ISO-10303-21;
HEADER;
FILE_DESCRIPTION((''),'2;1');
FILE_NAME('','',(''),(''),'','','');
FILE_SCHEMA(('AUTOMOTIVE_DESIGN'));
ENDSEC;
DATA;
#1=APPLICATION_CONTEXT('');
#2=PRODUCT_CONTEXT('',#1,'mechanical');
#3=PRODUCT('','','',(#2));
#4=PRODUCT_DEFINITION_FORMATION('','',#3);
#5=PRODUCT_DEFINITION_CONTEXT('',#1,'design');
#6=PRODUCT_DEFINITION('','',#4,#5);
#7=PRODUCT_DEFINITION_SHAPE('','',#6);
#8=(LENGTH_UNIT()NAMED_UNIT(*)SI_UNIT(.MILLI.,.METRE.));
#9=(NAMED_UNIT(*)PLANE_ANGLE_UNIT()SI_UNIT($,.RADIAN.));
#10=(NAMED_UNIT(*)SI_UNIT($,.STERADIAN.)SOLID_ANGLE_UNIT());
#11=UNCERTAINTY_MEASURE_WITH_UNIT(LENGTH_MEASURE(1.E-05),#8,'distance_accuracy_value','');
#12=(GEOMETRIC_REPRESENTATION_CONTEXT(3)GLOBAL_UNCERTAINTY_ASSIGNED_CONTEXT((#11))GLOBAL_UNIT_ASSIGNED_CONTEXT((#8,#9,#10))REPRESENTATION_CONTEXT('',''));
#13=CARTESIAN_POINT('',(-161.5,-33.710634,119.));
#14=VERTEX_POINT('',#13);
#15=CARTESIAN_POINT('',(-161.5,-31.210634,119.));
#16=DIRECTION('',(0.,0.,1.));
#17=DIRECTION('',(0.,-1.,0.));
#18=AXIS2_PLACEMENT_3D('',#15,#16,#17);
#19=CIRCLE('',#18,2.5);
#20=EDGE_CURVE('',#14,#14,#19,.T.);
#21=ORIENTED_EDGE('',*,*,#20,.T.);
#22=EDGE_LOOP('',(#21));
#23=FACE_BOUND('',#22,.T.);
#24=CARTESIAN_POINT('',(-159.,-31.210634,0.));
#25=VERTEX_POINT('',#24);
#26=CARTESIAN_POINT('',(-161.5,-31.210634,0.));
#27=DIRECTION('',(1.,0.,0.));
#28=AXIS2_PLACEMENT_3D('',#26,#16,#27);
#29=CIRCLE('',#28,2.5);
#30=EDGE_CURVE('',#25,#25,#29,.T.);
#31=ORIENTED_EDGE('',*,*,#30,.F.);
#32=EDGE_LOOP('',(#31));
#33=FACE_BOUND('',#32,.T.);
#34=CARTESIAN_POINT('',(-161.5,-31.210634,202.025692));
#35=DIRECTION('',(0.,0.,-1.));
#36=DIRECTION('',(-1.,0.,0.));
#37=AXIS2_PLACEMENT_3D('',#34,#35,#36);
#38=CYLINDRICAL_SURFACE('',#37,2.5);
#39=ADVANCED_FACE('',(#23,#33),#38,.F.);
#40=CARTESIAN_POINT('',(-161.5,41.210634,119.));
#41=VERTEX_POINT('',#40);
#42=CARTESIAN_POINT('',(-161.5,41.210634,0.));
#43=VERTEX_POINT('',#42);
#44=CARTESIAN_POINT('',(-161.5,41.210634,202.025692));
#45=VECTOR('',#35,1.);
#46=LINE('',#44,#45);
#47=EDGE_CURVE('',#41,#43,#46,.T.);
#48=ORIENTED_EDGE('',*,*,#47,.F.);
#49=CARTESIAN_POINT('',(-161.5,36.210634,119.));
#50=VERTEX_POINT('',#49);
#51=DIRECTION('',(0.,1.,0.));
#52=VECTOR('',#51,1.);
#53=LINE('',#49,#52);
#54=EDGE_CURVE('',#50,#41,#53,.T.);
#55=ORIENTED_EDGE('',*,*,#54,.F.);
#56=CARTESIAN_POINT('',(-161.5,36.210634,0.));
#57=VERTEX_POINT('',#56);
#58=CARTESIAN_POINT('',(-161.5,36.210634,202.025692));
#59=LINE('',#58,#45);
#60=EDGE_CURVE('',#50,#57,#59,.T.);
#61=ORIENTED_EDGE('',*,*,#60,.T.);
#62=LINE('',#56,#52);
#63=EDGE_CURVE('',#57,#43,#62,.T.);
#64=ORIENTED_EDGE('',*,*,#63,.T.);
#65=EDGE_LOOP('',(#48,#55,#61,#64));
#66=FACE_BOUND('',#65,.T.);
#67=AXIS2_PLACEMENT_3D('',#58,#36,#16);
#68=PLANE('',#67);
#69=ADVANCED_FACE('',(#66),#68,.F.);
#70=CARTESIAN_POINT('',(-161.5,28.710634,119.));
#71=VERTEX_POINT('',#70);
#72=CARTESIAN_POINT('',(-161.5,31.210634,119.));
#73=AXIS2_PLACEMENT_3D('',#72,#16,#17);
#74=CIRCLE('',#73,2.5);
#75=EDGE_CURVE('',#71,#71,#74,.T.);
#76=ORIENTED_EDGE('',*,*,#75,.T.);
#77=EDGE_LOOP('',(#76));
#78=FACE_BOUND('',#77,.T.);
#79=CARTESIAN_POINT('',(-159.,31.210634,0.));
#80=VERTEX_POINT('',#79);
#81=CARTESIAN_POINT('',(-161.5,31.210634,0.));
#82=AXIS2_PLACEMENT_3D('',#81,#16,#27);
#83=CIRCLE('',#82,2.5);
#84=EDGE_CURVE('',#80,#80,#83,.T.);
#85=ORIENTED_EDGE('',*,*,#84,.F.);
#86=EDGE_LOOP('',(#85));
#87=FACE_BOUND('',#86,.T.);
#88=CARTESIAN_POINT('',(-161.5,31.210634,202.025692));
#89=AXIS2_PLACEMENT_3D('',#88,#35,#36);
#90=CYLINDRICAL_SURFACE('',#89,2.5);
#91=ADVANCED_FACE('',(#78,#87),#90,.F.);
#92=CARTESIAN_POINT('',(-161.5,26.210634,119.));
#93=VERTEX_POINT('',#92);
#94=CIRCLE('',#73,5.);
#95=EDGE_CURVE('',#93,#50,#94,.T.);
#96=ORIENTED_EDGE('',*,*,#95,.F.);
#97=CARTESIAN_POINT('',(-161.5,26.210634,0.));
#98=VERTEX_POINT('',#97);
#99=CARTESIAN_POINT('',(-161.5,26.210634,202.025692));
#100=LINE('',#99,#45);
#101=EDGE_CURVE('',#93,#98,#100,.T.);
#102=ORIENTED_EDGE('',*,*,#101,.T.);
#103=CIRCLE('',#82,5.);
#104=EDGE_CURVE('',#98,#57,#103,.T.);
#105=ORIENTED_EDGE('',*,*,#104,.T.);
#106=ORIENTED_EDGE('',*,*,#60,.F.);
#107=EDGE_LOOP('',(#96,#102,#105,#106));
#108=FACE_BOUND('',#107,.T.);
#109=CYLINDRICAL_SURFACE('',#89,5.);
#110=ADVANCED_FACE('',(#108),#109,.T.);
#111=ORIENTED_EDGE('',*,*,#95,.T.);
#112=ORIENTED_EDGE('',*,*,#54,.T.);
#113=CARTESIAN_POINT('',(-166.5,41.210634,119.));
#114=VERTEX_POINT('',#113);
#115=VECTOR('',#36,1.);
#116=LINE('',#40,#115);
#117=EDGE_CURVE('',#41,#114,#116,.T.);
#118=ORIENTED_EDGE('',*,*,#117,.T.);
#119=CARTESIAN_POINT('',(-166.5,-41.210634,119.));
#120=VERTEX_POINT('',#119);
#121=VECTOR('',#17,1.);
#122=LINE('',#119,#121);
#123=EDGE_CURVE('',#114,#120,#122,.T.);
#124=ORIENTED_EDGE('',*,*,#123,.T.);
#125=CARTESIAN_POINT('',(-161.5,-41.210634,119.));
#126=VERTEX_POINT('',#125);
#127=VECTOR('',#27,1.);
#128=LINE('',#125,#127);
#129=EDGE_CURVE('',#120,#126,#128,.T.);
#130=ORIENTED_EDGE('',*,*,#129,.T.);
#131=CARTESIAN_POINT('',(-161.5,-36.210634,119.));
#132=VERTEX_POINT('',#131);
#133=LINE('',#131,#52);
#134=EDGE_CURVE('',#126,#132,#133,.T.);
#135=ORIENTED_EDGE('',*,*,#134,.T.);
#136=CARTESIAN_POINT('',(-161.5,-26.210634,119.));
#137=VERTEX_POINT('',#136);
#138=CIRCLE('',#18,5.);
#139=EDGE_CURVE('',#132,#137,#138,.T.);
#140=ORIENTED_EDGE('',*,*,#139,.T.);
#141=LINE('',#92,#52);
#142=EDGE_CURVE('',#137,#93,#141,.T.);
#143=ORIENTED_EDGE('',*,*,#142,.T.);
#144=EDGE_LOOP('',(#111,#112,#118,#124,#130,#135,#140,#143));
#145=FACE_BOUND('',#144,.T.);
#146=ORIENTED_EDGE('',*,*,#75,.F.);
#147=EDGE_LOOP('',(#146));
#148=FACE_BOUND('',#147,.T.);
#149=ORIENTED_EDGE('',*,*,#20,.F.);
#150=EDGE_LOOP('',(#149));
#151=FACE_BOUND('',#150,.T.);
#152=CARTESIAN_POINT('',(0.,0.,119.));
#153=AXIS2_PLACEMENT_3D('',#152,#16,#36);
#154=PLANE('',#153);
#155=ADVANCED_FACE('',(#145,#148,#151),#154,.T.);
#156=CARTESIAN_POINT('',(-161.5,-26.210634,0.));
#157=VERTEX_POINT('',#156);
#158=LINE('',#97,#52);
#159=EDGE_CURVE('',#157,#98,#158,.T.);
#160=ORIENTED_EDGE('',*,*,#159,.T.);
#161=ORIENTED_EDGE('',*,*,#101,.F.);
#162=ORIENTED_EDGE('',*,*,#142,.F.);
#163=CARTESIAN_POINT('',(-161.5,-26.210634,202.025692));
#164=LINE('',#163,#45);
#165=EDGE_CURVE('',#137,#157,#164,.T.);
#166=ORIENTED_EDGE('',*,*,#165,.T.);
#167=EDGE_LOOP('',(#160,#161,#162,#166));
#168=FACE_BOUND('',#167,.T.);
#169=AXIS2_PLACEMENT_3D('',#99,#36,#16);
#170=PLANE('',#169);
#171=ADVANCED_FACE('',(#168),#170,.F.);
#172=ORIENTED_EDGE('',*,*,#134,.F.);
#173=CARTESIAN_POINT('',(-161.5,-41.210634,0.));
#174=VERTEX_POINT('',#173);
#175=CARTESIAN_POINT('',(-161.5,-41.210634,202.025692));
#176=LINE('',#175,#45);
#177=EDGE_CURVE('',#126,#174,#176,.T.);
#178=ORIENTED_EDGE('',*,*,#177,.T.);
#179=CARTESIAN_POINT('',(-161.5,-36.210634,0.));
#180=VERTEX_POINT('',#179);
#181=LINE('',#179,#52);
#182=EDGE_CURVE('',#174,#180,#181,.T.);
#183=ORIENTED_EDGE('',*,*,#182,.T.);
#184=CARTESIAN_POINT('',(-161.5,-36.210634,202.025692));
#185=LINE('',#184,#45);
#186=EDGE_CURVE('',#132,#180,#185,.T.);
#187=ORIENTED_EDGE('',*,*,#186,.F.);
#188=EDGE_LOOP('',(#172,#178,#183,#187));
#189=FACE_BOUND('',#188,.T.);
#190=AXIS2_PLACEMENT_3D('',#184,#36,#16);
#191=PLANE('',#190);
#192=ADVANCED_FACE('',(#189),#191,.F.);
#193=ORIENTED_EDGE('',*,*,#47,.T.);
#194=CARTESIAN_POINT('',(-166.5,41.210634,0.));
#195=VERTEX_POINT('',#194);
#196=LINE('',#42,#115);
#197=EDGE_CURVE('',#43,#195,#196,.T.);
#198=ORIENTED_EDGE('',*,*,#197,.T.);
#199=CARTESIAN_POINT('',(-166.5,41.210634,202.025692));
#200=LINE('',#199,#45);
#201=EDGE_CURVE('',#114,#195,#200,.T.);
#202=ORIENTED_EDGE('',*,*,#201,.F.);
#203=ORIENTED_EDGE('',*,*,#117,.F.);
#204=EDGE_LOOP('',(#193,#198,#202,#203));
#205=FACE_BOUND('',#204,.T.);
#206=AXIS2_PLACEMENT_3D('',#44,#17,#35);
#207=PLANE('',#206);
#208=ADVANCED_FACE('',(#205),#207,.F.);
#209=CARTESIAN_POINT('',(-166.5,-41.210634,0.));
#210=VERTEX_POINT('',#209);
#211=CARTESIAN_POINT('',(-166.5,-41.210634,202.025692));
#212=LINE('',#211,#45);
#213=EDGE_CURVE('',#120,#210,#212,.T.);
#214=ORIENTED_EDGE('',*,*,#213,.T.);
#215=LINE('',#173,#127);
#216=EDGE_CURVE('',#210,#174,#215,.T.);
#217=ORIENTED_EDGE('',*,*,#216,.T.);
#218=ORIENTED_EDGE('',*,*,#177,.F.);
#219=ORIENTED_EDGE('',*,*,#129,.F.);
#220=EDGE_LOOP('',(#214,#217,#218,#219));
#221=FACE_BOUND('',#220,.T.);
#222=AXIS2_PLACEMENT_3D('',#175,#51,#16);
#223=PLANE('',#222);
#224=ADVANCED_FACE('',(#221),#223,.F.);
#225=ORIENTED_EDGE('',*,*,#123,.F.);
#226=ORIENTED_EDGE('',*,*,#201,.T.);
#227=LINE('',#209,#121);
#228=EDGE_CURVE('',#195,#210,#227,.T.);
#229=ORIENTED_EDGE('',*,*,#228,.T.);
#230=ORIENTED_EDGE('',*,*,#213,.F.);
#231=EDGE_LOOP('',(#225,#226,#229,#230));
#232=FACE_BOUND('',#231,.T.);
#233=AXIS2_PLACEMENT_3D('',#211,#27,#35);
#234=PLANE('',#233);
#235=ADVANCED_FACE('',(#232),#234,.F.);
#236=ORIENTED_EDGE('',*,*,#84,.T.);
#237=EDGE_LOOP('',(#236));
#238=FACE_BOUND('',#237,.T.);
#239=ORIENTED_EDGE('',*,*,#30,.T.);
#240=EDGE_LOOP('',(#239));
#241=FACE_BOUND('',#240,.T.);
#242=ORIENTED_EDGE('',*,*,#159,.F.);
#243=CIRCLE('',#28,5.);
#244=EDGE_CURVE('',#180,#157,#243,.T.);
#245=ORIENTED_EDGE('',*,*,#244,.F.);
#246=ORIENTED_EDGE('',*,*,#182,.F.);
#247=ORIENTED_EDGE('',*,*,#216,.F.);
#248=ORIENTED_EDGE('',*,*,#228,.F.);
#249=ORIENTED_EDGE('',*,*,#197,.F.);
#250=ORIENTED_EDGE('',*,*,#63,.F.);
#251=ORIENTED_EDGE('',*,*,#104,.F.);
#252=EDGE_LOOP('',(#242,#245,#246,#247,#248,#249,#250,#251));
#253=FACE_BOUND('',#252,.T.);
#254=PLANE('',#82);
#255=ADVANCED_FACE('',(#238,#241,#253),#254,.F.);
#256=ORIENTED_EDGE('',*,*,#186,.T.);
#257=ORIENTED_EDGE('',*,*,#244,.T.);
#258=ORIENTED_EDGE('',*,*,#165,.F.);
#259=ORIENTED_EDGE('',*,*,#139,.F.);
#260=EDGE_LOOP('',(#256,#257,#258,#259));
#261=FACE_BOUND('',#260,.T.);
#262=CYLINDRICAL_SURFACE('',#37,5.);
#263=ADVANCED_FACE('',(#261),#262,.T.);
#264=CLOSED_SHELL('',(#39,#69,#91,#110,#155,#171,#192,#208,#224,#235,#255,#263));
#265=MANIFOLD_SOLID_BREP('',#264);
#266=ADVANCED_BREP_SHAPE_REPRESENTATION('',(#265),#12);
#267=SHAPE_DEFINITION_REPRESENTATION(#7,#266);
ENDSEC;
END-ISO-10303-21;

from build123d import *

# Parameters (mm, degrees)
SKETCH_1_R      = 2.5
EXTRUDE_1_DEPTH = 119


with BuildPart() as part:
    # 草图1 → 凸台-拉伸1 (new body)
    with BuildSketch(Plane.XY):
        with BuildLine():
            Line((-166.5, 31.210634294), (-166.5, -31.210634294))
            Line((-166.5, -31.210634294), (-166.5, -36.210634294))
            Line((-166.5, -36.210634294), (-166.5, -41.210634294))
            Line((-166.5, -41.210634294), (-161.5, -41.210634294))
            Line((-161.5, -41.210634294), (-161.5, -36.210634294))
            ThreePointArc((-161.5, -36.210634294), (-156.5, -31.210634294), (-161.5, -26.210634294))
            Line((-161.5, -26.210634294), (-161.5, 26.210634294))
            ThreePointArc((-161.5, 26.210634294), (-156.5, 31.210634294), (-161.5, 36.210634294))
            Line((-161.5, 36.210634294), (-161.5, 41.210634294))
            Line((-161.5, 41.210634294), (-166.5, 41.210634294))
            Line((-166.5, 41.210634294), (-166.5, 36.210634294))
            Line((-166.5, 36.210634294), (-166.5, 31.210634294))
        make_face()
        with Locations((-161.5, 31.210634294)):
            Circle(SKETCH_1_R, mode=Mode.SUBTRACT)
        with Locations((-161.5, -31.210634294)):
            Circle(SKETCH_1_R, mode=Mode.SUBTRACT)
    extrude(amount=EXTRUDE_1_DEPTH)


solid = part.part
